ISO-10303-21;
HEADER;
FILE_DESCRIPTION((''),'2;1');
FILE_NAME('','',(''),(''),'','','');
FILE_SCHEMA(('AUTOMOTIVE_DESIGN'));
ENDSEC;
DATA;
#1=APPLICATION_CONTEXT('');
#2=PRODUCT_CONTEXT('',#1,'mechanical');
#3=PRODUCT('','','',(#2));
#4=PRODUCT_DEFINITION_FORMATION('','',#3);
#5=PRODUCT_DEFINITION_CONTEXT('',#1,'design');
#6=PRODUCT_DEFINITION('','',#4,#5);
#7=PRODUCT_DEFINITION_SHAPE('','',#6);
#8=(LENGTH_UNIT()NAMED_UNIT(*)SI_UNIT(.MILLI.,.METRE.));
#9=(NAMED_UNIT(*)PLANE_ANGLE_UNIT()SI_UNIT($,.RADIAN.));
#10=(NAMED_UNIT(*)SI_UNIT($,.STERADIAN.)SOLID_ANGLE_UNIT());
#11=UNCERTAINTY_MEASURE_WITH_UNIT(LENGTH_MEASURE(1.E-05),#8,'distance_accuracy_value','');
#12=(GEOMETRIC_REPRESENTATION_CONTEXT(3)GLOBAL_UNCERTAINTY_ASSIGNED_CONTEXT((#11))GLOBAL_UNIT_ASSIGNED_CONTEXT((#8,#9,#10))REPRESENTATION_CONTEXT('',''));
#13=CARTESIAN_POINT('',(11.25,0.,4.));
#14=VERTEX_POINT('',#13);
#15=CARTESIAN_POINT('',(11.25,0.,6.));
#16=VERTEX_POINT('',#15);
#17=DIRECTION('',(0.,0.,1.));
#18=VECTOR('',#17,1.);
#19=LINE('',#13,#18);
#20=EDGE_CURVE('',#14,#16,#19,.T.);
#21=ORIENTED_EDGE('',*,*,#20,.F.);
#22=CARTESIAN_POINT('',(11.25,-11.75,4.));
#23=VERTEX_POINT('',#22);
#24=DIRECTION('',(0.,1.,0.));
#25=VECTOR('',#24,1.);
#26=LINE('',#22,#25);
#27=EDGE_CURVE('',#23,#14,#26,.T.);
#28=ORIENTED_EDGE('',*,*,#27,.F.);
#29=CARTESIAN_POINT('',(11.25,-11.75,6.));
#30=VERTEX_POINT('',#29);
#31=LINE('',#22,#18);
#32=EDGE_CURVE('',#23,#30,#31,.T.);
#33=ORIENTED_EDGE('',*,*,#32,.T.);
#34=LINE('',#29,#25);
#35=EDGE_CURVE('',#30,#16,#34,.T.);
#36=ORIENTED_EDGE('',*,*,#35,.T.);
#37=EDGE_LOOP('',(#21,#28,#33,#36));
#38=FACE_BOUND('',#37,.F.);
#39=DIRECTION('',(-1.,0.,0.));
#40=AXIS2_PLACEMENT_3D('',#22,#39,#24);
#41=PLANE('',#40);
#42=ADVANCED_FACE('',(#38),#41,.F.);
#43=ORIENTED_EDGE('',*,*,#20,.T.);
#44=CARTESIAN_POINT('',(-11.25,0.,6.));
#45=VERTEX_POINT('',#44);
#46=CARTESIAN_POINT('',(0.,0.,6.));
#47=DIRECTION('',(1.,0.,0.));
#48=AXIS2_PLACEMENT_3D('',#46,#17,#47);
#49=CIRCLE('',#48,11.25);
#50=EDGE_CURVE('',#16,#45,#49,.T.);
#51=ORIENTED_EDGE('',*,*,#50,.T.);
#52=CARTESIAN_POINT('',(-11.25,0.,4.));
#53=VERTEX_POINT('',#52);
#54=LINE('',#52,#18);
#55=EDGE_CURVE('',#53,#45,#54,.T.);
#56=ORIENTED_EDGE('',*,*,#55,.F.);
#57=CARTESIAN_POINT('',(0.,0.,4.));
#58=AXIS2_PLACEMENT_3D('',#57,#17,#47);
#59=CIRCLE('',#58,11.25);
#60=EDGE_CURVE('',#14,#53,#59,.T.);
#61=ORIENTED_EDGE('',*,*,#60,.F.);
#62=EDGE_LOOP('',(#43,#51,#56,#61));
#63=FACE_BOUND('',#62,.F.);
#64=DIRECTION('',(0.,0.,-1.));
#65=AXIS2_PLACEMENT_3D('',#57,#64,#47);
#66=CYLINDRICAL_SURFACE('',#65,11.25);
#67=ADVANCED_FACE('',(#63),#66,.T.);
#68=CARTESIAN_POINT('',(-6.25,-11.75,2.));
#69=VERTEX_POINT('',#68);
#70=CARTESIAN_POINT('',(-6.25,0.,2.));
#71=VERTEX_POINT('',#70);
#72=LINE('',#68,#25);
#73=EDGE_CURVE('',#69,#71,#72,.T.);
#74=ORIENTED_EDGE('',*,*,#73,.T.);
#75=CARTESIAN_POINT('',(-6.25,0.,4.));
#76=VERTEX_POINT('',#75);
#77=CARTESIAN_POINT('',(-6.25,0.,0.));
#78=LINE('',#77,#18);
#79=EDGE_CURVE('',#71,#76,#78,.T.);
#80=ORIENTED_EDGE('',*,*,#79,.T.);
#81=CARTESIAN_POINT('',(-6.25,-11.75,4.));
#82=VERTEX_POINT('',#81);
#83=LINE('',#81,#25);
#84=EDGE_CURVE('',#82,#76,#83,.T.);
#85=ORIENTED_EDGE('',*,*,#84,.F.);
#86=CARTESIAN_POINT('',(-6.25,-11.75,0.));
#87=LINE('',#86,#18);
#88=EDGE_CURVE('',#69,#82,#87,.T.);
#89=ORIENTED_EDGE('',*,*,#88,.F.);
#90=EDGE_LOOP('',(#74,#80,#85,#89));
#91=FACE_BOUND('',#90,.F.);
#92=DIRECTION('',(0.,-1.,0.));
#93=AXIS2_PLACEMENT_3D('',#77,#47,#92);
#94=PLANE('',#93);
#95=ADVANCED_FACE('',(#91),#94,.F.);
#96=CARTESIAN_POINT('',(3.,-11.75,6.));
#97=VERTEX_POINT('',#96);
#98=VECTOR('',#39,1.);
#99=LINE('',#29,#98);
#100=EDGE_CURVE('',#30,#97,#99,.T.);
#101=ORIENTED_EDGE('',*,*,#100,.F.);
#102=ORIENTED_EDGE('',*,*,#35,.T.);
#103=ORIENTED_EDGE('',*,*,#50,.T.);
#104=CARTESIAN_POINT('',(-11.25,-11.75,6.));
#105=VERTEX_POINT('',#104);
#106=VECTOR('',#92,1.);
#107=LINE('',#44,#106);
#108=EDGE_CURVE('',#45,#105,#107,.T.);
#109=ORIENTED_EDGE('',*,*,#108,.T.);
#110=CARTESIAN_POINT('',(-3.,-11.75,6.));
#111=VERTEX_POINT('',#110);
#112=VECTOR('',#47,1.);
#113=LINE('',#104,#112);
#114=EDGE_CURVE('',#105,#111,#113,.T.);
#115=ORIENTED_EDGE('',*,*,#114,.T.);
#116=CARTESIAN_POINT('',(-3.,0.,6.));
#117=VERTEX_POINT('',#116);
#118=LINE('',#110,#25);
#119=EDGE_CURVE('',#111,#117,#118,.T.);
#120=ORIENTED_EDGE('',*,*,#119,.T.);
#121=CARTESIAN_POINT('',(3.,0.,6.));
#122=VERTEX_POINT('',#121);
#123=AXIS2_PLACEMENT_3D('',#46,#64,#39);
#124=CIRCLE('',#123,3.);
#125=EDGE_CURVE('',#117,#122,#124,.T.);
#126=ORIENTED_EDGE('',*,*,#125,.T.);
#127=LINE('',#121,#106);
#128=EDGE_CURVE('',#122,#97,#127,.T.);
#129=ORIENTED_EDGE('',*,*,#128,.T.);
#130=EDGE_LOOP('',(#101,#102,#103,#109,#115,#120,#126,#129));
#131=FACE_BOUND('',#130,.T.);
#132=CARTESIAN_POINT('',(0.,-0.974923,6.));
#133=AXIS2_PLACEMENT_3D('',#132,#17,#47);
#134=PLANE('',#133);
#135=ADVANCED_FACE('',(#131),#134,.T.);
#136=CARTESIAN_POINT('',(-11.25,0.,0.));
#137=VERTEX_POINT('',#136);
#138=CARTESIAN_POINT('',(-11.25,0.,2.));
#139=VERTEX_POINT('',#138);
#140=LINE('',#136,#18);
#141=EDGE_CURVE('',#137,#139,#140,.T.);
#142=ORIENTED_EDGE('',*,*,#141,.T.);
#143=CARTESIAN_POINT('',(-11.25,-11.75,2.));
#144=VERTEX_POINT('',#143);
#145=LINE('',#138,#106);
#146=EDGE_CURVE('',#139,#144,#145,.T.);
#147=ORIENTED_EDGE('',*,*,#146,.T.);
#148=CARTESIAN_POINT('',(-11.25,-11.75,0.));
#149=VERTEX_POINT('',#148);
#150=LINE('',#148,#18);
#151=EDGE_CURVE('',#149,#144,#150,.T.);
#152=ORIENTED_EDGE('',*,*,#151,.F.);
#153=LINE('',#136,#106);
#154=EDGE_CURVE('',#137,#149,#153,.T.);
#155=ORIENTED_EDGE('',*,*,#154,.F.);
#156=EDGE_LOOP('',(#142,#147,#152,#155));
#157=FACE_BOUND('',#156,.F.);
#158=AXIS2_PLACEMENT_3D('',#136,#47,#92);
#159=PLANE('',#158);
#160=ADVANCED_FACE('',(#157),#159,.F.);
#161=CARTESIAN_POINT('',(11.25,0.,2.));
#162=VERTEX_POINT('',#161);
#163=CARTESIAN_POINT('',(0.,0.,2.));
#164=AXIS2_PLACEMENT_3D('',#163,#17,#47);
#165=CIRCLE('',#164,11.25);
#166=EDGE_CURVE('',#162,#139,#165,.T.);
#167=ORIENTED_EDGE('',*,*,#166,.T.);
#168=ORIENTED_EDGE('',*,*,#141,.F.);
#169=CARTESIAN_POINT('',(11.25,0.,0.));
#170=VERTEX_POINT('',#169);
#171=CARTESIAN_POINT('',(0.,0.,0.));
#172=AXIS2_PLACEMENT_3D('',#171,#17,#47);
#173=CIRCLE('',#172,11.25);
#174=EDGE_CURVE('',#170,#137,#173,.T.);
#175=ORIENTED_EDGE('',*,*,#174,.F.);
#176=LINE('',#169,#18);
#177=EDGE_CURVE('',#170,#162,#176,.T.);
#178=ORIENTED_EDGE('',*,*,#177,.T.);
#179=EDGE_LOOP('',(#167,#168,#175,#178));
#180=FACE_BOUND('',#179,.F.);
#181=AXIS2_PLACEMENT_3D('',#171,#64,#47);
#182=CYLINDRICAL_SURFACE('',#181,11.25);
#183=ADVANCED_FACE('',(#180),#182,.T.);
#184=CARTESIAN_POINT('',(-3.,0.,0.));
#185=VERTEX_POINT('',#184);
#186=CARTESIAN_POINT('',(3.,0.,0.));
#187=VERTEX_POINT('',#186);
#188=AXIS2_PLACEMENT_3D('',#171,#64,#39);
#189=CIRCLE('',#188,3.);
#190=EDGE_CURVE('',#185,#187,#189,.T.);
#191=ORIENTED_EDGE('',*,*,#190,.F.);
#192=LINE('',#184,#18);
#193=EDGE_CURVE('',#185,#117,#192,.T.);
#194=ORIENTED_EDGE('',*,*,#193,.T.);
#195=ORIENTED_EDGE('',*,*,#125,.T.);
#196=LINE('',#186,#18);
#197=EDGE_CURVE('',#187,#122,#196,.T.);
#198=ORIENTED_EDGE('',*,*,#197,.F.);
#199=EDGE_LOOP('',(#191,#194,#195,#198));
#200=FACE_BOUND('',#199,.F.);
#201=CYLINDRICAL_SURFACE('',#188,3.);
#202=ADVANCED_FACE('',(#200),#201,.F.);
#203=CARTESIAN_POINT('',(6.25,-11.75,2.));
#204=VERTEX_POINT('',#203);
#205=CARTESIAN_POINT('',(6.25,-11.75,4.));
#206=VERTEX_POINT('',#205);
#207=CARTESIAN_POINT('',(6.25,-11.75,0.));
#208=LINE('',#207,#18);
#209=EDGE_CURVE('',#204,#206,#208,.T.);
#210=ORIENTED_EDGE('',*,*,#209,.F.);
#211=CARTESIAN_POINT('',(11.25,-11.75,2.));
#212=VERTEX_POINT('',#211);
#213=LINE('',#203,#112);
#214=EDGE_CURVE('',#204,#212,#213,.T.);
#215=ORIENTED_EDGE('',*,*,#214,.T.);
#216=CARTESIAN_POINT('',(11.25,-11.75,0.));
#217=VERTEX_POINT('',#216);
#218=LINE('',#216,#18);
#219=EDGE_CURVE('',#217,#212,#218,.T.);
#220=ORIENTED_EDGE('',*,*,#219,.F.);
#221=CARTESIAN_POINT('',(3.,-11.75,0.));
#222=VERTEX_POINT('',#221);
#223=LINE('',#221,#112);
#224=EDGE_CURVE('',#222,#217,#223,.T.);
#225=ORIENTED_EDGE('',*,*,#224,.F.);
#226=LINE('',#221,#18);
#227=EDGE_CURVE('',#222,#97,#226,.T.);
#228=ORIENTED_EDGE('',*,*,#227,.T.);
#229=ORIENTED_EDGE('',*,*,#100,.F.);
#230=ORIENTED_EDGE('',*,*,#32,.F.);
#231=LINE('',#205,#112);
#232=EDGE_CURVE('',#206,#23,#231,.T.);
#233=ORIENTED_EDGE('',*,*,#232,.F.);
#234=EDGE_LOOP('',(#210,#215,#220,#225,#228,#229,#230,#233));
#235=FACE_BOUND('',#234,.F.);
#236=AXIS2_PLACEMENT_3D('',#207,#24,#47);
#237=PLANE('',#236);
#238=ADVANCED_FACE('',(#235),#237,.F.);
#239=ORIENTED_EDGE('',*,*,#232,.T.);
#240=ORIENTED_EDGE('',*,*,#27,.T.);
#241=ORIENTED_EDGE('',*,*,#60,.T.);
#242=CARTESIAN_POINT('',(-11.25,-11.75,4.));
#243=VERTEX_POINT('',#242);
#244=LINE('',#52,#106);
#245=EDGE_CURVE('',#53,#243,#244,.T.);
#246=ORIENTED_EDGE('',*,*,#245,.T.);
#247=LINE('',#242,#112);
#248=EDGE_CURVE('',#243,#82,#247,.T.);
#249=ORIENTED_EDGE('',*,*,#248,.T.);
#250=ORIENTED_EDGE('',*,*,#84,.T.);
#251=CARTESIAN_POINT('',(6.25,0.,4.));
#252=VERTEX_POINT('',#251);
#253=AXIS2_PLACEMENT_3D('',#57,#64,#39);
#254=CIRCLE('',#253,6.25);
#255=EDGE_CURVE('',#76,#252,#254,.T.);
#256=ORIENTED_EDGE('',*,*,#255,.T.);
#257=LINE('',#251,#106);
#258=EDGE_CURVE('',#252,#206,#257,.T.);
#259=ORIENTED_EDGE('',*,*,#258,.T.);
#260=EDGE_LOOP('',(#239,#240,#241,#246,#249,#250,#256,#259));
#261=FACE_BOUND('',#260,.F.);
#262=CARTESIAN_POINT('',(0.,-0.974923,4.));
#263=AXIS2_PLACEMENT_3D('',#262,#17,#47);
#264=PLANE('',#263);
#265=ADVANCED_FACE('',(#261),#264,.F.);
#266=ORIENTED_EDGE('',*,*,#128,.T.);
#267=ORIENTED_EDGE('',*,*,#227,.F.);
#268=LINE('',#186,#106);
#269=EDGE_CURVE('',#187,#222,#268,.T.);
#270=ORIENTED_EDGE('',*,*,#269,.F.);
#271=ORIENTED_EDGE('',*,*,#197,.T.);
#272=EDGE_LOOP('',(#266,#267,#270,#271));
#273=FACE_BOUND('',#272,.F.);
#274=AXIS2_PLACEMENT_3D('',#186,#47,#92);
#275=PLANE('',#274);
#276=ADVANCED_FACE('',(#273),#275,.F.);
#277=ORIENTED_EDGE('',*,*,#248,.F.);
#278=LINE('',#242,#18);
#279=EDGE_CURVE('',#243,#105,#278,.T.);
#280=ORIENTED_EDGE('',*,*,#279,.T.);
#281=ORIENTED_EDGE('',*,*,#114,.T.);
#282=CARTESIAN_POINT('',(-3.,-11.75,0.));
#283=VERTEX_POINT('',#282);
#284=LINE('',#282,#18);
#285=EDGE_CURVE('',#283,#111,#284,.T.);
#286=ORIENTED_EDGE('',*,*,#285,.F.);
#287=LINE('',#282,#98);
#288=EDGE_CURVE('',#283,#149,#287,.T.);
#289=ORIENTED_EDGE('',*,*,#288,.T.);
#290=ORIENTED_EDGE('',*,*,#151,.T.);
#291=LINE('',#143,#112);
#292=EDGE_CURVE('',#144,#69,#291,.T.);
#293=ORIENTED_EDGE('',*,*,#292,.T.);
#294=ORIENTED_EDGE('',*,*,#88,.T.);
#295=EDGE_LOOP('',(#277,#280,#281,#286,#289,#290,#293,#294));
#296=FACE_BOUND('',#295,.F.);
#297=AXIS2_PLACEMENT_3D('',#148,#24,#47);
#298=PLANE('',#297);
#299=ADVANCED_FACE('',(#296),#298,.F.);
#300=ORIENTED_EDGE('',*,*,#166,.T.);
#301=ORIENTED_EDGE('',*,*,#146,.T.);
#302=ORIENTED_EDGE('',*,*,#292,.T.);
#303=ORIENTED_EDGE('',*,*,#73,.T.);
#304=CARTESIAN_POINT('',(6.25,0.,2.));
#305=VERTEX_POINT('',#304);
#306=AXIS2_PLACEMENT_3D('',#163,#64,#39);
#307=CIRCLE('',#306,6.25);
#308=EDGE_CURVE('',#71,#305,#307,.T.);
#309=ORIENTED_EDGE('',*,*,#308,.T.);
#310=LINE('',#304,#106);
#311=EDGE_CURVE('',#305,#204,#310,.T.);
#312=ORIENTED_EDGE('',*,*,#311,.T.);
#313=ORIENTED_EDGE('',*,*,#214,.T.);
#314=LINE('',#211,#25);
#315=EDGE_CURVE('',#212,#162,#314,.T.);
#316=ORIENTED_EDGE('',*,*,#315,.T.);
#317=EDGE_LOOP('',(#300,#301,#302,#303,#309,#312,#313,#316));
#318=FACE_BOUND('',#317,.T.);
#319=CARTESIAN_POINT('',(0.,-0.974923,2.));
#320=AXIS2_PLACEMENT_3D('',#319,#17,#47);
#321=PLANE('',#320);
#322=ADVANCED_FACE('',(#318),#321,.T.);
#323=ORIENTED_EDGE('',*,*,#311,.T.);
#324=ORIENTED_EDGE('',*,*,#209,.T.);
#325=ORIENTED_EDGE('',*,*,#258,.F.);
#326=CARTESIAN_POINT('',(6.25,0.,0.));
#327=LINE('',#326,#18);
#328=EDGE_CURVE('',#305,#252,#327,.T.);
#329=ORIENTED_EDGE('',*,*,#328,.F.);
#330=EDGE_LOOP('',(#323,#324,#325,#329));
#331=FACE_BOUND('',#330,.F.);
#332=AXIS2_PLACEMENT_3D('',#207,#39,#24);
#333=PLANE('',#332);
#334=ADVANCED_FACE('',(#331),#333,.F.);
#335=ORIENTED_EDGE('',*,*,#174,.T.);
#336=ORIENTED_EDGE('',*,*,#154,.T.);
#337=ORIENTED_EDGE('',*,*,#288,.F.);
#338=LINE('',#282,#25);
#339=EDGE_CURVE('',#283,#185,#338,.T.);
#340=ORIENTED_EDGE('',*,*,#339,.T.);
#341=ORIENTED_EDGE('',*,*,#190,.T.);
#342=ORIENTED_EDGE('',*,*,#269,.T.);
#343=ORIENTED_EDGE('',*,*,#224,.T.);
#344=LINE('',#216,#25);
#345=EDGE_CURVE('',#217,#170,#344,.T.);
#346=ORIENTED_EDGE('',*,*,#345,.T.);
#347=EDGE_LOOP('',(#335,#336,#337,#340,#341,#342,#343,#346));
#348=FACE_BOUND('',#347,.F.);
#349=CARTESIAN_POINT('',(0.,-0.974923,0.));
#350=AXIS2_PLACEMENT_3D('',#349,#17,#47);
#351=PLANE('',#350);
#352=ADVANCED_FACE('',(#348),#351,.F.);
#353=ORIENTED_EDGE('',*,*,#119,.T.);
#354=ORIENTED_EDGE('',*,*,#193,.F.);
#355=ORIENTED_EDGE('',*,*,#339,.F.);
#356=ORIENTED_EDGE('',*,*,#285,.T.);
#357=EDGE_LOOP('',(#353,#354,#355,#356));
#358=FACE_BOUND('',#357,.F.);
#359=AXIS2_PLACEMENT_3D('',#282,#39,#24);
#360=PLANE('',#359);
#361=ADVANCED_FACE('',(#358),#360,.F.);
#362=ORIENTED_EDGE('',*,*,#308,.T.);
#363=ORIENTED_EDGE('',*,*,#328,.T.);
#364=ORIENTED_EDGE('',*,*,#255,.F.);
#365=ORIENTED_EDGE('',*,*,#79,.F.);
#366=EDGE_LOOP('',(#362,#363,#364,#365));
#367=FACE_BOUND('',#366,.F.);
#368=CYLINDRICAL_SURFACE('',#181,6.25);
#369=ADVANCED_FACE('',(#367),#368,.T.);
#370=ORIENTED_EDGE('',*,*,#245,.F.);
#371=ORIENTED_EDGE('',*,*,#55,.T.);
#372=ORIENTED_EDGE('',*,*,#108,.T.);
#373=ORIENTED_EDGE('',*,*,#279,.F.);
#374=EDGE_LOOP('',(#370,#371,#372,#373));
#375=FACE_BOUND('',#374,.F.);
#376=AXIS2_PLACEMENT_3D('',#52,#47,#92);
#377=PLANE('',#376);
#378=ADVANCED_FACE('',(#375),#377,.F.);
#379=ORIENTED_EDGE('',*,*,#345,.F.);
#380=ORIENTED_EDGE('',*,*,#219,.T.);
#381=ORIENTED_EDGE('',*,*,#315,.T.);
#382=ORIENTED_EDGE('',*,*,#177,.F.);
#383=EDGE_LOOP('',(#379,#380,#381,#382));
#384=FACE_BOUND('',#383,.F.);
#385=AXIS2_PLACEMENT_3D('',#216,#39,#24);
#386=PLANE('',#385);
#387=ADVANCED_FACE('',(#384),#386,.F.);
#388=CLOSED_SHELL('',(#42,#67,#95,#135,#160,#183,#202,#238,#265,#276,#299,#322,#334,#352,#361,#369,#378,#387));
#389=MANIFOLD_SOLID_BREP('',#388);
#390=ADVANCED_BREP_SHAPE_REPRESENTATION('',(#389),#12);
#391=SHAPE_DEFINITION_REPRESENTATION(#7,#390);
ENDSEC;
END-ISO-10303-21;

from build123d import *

# Parameters (mm, degrees)
F1_DEPTH = 6
F2_START = 4
F2_DEPTH = 2
F3_DEPTH = 2


with BuildPart() as f1:
    # F0 (on Top) → F1 (new body)
    with BuildSketch(Plane.XY):
        with BuildLine():
            Line((6.25, -11.75), (6.25, 0))
            ThreePointArc((6.25, 0), (0, 6.25), (-6.25, 0))
            Line((-6.25, 0), (-6.25, -11.75))
            Line((-6.25, -11.75), (-3, -11.75))
            Line((-3, -11.75), (-3, 0))
            ThreePointArc((-3, 0), (0, 3), (3, 0))
            Line((3, 0), (3, -11.75))
            Line((3, -11.75), (6.25, -11.75))
        make_face()
    extrude(amount=F1_DEPTH)

    # F0 (on Top) → F2 (join)
    with BuildSketch(Plane.XY.offset(F2_START)):
        with BuildLine():
            ThreePointArc((-6.25, 0), (0, 6.25), (6.25, 0))
            Line((6.25, 0), (6.25, -11.75))
            Line((6.25, -11.75), (11.25, -11.75))
            Line((11.25, -11.75), (11.25, 0))
            ThreePointArc((11.25, 0), (0, 11.25), (-11.25, 0))
            Line((-11.25, 0), (-11.25, -11.75))
            Line((-11.25, -11.75), (-6.25, -11.75))
            Line((-6.25, -11.75), (-6.25, 0))
        make_face()
    extrude(amount=F2_DEPTH)

    # F0 (on Top) → F3 (join)
    with BuildSketch(Plane.XY):
        with BuildLine():
            ThreePointArc((-6.25, 0), (0, 6.25), (6.25, 0))
            Line((6.25, 0), (6.25, -11.75))
            Line((6.25, -11.75), (11.25, -11.75))
            Line((11.25, -11.75), (11.25, 0))
            ThreePointArc((11.25, 0), (0, 11.25), (-11.25, 0))
            Line((-11.25, 0), (-11.25, -11.75))
            Line((-11.25, -11.75), (-6.25, -11.75))
            Line((-6.25, -11.75), (-6.25, 0))
        make_face()
    extrude(amount=F3_DEPTH)


solid = f1.part
